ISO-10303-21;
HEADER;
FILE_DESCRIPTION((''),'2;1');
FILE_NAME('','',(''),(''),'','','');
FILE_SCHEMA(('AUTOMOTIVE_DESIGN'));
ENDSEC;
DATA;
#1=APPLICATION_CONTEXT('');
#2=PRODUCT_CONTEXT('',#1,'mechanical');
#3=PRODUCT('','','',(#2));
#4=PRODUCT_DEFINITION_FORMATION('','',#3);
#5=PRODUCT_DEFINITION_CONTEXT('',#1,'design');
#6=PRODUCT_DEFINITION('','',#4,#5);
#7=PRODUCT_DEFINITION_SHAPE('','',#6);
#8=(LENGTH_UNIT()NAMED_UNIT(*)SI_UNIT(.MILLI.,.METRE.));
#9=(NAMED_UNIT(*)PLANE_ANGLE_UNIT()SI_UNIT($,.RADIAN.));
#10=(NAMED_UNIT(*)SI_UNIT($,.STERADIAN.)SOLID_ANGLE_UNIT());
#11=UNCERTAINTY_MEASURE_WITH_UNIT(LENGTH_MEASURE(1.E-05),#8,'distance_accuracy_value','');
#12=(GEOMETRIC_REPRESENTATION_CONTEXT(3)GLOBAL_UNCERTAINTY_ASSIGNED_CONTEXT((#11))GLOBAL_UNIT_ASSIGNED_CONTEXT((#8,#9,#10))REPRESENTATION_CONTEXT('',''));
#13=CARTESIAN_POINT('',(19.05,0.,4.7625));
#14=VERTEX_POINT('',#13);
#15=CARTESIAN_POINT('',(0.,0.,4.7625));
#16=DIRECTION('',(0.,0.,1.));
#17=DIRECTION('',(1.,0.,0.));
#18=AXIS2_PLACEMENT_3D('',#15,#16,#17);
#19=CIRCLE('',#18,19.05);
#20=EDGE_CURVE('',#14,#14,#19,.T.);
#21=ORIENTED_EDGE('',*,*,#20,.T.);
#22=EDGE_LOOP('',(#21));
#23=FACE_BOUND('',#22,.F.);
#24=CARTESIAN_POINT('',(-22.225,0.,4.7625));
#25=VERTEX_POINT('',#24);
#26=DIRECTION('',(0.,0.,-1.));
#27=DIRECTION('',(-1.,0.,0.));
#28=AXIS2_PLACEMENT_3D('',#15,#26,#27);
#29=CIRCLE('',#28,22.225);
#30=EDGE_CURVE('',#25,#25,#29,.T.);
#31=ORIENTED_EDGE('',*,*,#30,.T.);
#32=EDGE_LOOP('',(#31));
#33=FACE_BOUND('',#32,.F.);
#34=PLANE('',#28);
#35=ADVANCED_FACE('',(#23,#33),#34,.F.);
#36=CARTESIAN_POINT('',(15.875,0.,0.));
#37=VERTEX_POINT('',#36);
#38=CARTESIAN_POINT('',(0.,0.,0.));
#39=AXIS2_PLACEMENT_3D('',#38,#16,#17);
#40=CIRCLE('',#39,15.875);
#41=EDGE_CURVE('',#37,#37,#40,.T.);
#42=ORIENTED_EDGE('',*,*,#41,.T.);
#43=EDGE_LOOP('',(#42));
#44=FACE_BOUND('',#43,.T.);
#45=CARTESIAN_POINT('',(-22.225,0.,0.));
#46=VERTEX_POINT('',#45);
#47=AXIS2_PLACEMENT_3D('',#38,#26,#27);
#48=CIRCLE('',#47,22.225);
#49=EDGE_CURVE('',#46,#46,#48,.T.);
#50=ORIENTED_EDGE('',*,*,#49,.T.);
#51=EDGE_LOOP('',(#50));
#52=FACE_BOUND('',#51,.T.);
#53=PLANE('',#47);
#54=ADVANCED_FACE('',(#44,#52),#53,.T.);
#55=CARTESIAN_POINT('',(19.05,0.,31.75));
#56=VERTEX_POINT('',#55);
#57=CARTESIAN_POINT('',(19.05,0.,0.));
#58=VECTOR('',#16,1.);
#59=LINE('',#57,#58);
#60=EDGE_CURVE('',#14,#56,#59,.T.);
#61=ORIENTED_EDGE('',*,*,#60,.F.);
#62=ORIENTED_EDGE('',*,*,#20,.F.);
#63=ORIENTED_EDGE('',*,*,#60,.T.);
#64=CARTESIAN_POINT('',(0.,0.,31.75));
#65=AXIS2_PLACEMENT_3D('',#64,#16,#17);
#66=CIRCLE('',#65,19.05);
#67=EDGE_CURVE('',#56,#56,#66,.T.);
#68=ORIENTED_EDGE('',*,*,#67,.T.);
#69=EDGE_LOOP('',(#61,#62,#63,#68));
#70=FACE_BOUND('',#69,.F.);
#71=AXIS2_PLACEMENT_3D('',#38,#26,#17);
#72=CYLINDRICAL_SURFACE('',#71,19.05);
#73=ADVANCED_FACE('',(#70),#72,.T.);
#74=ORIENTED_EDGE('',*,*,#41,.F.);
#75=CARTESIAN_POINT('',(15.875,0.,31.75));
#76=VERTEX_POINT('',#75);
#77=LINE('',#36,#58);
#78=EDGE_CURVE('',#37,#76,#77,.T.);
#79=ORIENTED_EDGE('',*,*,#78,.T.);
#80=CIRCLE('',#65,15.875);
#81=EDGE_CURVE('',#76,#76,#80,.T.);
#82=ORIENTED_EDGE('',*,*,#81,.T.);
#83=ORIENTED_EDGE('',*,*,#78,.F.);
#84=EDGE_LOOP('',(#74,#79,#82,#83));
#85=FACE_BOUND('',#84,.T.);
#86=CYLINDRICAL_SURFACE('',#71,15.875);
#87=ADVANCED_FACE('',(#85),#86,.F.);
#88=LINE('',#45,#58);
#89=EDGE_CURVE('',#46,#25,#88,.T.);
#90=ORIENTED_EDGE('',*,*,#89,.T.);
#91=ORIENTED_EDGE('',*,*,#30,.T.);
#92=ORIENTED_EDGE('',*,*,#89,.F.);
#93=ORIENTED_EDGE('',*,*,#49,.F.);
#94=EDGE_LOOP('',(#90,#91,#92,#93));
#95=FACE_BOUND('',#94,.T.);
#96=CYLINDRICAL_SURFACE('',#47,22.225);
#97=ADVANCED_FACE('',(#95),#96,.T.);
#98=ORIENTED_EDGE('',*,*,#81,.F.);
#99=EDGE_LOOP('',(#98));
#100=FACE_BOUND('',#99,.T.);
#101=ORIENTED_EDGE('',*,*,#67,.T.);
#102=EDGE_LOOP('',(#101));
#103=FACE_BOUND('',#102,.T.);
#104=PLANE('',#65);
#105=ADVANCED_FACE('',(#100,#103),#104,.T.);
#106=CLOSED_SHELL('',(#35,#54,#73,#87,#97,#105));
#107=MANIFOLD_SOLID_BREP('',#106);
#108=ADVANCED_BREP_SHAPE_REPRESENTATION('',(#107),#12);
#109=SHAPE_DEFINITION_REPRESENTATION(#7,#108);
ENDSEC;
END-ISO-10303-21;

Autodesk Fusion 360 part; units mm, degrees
sketch "Sketch1" plane through (0, 0, 0) normal (0, 0, 1) x (1, 0, 0)
  circle A0 centre (0, 0) radius 15.875
  circle A1 centre (0, 0) radius 19.05
  dimension "d1" = 31.75
  dimension "d2" = 38.1
extrude "Extrude1" add sketch "Sketch1" along normal blind 31.75
sketch "Sketch2" plane through (0, 0, 0) normal (0, 0, -1) x (-1, 0, 0)
  circle A0 centre (0, 0) radius 19.05
  circle A1 centre (0, 0) radius 22.225
  circle A2 centre (0, 0) radius 15.875
  dimension "d5" = 44.45
extrude "Extrude2" add sketch "Sketch2" against normal blind 4.7625 contours A1
equation "d1 = Shaft_ID"
equation "d2 = Housing_ID"
equation "d3 = Length"
equation "d5 = Flange_OD"
equation "d6 = FlangeT"
equation "Shaft_ID = 1 1/4\""
equation "Housing_ID = 1 1/2\""
equation "FlangeT = ( -3 / 16 ) * 1 in"
equation "Length = 1 1/4\""
equation "Flange_OD = 1 3/4\""
